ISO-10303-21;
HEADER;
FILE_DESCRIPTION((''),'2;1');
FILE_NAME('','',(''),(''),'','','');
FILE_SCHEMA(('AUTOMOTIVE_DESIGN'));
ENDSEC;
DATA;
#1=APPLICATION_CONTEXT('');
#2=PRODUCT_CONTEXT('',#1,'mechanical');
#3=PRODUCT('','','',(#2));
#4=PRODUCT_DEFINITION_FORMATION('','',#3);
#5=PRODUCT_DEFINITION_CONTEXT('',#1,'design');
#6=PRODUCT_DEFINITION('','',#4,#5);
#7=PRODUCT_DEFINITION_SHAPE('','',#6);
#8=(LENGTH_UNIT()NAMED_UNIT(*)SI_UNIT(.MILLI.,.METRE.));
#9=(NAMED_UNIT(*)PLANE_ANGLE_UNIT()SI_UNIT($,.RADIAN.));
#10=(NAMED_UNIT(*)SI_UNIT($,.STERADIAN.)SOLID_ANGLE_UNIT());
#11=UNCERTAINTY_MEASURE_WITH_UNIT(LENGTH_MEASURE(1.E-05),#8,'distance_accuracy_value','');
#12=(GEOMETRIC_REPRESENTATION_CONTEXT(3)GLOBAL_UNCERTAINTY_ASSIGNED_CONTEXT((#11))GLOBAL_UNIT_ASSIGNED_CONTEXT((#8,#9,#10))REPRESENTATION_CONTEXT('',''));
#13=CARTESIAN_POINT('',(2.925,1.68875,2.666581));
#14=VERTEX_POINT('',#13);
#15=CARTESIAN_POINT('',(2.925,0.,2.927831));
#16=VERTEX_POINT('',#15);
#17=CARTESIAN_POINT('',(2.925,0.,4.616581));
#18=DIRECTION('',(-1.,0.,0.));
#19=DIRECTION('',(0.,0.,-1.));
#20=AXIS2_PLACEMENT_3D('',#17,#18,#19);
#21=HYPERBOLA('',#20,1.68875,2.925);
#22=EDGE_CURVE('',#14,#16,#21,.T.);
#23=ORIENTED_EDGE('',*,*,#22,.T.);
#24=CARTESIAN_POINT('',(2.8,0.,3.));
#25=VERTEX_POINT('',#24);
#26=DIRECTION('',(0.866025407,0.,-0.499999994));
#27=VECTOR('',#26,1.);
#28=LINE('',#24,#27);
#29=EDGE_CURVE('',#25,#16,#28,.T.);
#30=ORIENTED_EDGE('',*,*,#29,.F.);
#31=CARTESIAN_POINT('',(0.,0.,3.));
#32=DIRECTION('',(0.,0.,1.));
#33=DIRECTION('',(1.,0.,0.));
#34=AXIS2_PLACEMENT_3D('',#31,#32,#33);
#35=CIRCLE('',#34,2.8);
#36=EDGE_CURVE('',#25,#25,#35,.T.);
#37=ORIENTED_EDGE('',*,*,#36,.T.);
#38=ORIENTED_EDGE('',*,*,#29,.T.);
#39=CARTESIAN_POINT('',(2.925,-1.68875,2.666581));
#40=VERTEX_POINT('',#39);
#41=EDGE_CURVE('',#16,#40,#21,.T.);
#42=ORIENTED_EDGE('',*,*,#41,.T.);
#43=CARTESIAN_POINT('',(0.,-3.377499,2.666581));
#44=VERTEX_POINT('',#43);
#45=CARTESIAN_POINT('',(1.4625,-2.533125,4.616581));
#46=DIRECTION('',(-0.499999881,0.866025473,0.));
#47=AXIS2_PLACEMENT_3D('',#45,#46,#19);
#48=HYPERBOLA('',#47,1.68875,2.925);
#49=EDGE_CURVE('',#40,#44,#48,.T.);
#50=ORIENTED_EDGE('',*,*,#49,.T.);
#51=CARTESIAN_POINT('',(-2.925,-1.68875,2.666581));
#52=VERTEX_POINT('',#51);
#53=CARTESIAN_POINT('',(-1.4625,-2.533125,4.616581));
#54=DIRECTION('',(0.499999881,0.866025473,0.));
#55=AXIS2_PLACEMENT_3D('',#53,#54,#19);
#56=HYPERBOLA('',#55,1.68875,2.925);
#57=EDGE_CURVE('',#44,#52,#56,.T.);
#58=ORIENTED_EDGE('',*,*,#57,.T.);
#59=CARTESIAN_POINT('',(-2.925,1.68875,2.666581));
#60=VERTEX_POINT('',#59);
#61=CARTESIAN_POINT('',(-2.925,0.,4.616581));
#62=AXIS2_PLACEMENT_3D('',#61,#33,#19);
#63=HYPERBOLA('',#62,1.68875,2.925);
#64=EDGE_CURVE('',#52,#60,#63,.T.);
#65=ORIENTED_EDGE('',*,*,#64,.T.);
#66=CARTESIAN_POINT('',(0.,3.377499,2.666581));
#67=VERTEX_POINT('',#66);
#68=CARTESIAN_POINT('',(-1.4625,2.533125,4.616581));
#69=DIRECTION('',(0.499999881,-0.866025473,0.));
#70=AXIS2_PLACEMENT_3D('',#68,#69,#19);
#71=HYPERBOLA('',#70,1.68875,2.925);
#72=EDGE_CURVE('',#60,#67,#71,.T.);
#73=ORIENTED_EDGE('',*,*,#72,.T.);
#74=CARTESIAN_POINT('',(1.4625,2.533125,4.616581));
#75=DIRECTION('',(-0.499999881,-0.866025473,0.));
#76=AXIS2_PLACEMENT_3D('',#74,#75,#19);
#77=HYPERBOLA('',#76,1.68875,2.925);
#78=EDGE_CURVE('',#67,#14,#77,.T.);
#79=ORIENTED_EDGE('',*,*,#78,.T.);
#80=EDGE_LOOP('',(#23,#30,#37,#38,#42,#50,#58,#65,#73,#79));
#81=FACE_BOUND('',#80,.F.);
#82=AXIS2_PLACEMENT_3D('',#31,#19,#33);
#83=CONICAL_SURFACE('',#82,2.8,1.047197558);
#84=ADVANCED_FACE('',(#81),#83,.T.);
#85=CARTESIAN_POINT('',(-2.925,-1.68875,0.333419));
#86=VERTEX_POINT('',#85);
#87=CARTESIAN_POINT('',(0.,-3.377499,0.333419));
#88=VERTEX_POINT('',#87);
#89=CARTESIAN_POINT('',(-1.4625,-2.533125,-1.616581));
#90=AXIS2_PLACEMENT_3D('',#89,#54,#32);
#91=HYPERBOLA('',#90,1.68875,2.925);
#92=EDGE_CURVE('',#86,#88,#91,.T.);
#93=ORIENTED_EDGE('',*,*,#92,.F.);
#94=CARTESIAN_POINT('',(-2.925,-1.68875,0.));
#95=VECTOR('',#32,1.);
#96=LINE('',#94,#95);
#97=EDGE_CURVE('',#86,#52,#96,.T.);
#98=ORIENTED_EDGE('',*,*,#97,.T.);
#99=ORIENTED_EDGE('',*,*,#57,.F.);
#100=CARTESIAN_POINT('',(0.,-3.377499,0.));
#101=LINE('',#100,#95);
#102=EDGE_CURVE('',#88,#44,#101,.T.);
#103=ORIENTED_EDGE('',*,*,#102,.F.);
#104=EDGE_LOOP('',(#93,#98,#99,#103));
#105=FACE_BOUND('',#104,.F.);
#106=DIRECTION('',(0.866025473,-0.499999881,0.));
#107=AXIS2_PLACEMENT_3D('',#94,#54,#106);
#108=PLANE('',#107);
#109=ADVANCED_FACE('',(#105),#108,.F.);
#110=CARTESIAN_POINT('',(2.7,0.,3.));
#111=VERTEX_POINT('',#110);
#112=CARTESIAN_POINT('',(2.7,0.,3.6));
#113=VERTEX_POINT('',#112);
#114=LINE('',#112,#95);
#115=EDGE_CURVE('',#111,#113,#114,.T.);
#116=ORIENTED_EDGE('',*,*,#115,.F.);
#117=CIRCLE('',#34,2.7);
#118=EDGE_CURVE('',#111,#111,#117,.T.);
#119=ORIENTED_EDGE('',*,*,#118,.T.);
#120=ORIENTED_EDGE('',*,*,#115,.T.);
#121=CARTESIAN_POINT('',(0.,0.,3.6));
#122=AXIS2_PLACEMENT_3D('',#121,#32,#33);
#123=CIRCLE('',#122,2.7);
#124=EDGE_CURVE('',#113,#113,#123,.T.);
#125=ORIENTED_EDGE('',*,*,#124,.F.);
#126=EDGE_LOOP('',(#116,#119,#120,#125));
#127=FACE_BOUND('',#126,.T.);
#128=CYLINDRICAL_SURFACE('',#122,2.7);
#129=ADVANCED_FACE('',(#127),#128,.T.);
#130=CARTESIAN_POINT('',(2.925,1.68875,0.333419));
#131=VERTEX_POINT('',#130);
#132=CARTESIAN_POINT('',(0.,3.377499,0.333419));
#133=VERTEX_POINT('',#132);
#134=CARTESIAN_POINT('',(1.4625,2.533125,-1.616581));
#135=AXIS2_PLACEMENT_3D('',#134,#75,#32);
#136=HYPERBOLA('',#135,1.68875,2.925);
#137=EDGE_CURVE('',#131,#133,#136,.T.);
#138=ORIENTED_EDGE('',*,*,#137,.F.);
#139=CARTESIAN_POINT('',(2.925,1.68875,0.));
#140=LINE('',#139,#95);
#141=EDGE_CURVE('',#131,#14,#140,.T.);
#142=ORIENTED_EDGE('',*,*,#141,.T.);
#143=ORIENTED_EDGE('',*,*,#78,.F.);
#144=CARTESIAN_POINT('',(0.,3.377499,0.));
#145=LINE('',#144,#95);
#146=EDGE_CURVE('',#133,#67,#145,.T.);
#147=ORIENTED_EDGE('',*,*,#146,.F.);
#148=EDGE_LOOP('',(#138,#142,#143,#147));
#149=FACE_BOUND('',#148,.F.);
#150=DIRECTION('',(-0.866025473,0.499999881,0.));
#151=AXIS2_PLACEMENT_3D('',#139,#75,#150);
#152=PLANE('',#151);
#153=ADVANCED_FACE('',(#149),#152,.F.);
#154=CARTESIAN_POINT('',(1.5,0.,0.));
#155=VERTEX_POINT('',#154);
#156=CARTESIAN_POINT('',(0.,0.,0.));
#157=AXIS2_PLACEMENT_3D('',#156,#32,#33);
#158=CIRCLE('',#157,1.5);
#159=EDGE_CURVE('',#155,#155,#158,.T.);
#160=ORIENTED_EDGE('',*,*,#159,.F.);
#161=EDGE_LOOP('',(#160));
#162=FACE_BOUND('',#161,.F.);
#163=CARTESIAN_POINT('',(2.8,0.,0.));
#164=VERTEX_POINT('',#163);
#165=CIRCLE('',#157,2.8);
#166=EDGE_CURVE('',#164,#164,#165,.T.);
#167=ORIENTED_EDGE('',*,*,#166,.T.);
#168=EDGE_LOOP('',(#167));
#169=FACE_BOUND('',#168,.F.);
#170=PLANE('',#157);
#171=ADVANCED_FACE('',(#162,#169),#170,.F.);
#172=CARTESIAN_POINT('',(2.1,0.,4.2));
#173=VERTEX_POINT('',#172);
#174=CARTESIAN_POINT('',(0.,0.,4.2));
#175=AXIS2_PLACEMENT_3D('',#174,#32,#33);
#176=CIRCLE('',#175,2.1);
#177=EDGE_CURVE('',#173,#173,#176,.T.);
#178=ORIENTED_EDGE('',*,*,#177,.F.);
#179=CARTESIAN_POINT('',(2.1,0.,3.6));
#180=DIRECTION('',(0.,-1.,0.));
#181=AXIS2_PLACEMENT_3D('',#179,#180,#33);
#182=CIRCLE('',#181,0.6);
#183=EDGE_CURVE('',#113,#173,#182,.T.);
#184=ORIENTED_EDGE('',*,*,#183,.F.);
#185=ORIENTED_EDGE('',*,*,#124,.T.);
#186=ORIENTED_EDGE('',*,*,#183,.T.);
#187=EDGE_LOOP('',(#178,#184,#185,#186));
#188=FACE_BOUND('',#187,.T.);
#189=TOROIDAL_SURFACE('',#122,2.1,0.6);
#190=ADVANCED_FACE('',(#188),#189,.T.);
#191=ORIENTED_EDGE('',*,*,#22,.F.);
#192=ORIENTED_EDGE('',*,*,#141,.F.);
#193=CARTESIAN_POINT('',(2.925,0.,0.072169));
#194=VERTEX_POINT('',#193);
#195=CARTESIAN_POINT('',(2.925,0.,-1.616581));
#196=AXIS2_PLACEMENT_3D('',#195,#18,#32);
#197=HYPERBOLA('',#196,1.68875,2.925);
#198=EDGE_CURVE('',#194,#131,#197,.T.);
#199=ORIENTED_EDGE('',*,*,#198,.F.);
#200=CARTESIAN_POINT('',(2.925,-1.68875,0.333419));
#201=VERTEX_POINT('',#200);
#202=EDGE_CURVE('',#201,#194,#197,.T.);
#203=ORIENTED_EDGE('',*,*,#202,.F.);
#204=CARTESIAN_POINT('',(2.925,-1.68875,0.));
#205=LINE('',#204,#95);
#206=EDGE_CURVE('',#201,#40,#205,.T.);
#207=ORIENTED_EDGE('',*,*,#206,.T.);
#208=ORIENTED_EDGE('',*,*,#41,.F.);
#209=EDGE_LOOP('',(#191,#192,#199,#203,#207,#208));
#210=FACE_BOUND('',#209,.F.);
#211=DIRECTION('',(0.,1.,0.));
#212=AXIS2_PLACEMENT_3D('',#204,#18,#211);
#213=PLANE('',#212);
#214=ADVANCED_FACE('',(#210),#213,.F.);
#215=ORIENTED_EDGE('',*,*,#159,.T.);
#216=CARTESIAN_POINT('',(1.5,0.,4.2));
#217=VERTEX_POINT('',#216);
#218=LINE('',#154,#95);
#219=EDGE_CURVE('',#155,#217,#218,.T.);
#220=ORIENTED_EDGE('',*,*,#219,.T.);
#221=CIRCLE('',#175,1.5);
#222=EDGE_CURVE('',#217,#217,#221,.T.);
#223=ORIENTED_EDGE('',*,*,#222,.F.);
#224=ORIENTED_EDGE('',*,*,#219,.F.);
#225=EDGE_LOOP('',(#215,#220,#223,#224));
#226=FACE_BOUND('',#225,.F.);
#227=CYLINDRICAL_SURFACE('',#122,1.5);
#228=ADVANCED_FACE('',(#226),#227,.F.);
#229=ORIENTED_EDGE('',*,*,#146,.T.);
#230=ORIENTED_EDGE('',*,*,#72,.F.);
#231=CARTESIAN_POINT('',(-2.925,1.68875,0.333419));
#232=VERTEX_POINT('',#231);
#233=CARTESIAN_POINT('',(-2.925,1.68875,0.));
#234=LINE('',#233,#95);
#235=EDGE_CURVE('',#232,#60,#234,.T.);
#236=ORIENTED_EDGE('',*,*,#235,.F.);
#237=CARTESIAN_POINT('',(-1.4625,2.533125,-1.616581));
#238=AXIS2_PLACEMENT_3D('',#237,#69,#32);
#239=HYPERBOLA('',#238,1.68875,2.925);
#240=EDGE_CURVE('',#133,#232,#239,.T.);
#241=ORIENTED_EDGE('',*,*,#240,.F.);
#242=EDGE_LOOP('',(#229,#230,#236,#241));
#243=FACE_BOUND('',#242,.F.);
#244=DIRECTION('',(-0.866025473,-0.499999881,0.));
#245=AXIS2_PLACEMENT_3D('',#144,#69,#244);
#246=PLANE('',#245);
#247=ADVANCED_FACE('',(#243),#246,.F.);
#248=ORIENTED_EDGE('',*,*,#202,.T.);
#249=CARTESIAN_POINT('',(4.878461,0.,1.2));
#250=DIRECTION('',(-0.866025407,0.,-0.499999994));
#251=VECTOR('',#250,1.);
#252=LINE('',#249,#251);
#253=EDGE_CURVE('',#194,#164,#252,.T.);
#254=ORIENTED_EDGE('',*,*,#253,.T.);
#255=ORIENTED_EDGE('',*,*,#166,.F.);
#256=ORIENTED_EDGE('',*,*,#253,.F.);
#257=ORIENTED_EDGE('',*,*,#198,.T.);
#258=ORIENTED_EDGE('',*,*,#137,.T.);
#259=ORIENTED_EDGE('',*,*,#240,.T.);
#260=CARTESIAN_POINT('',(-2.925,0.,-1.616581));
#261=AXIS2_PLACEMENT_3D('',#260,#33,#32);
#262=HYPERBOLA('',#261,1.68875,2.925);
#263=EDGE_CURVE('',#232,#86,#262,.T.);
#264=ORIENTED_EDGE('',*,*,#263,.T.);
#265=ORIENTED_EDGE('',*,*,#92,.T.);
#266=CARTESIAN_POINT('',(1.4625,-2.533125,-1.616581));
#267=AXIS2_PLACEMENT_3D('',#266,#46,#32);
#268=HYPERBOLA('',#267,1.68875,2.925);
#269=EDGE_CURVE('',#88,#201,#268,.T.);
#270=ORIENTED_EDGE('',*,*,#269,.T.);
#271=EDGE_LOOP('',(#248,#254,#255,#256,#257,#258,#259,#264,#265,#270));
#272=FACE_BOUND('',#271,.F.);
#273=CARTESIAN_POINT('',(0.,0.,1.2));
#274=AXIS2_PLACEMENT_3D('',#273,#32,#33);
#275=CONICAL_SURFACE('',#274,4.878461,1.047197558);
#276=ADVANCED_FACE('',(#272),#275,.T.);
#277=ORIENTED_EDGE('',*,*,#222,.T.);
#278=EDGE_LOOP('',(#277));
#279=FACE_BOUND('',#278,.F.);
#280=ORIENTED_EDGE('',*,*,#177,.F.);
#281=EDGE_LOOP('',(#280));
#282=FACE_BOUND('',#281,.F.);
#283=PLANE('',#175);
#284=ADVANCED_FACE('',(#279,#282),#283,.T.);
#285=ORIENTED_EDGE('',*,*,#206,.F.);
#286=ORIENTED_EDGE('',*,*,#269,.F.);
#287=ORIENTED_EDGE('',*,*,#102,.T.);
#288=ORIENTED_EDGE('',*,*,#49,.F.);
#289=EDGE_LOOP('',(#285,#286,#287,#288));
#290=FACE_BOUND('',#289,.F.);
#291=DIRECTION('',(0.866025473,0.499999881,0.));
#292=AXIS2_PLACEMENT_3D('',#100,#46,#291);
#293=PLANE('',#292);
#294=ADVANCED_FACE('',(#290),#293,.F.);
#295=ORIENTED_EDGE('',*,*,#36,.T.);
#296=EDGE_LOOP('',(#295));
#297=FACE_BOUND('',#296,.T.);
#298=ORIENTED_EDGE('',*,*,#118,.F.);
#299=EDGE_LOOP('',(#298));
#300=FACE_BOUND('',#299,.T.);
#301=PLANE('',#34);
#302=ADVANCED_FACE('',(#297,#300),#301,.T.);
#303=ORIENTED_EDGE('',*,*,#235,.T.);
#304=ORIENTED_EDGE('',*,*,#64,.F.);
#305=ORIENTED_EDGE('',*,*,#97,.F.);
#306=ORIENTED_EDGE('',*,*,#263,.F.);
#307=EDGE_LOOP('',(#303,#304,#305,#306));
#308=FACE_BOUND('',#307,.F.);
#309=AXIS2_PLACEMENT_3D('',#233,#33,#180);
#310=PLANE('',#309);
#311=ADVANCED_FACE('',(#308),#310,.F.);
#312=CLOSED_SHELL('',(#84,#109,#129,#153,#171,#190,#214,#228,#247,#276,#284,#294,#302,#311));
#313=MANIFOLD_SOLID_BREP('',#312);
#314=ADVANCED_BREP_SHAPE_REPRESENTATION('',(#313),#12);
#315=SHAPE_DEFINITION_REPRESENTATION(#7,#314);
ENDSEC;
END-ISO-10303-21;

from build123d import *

# Parameters (mm, degrees)
F0_R     = 1.5
F1_DEPTH = 3
F4_W     = 1.2
F4_H     = 1.2
F6_R     = 0.6


with BuildPart() as f1:
    # F0 (on Top) → F1 (new body)
    with BuildSketch(Plane.XY):
        Polygon((2.925, -1.68875), (2.925, 1.68875), (0, 3.377499), (-2.925, 1.68875), (-2.925, -1.68875), (0, -3.377499), align=None)
        Circle(F0_R, mode=Mode.SUBTRACT)
    extrude(amount=F1_DEPTH)

    # F2 (on Front) → F3 (revolve, cut)
    with BuildSketch(Plane.XZ):
        Polygon((4.878461, 3), (2.8, 3), (4.878461, 1.8), align=None)
        Polygon((2.8, 0), (4.878461, 0), (4.878461, 1.2), align=None)
    revolve(axis=Axis((0, 0, 1.5), (0, 0, 1)), mode=Mode.SUBTRACT)

    # F4 (on Front) → F5 (revolve)
    with BuildSketch(Plane.XZ):
        with Locations((2.1, 3.6)):
            Rectangle(F4_W, F4_H)
    revolve(axis=Axis((0, 0, 1.5), (0, 0, 1)))

    # F6
    f6_edges = [f1.edges().sort_by_distance(p)[0] for p in [
        (-2.7, 0, 4.2),
    ]]
    fillet(f6_edges, radius=F6_R)


solid = f1.part
